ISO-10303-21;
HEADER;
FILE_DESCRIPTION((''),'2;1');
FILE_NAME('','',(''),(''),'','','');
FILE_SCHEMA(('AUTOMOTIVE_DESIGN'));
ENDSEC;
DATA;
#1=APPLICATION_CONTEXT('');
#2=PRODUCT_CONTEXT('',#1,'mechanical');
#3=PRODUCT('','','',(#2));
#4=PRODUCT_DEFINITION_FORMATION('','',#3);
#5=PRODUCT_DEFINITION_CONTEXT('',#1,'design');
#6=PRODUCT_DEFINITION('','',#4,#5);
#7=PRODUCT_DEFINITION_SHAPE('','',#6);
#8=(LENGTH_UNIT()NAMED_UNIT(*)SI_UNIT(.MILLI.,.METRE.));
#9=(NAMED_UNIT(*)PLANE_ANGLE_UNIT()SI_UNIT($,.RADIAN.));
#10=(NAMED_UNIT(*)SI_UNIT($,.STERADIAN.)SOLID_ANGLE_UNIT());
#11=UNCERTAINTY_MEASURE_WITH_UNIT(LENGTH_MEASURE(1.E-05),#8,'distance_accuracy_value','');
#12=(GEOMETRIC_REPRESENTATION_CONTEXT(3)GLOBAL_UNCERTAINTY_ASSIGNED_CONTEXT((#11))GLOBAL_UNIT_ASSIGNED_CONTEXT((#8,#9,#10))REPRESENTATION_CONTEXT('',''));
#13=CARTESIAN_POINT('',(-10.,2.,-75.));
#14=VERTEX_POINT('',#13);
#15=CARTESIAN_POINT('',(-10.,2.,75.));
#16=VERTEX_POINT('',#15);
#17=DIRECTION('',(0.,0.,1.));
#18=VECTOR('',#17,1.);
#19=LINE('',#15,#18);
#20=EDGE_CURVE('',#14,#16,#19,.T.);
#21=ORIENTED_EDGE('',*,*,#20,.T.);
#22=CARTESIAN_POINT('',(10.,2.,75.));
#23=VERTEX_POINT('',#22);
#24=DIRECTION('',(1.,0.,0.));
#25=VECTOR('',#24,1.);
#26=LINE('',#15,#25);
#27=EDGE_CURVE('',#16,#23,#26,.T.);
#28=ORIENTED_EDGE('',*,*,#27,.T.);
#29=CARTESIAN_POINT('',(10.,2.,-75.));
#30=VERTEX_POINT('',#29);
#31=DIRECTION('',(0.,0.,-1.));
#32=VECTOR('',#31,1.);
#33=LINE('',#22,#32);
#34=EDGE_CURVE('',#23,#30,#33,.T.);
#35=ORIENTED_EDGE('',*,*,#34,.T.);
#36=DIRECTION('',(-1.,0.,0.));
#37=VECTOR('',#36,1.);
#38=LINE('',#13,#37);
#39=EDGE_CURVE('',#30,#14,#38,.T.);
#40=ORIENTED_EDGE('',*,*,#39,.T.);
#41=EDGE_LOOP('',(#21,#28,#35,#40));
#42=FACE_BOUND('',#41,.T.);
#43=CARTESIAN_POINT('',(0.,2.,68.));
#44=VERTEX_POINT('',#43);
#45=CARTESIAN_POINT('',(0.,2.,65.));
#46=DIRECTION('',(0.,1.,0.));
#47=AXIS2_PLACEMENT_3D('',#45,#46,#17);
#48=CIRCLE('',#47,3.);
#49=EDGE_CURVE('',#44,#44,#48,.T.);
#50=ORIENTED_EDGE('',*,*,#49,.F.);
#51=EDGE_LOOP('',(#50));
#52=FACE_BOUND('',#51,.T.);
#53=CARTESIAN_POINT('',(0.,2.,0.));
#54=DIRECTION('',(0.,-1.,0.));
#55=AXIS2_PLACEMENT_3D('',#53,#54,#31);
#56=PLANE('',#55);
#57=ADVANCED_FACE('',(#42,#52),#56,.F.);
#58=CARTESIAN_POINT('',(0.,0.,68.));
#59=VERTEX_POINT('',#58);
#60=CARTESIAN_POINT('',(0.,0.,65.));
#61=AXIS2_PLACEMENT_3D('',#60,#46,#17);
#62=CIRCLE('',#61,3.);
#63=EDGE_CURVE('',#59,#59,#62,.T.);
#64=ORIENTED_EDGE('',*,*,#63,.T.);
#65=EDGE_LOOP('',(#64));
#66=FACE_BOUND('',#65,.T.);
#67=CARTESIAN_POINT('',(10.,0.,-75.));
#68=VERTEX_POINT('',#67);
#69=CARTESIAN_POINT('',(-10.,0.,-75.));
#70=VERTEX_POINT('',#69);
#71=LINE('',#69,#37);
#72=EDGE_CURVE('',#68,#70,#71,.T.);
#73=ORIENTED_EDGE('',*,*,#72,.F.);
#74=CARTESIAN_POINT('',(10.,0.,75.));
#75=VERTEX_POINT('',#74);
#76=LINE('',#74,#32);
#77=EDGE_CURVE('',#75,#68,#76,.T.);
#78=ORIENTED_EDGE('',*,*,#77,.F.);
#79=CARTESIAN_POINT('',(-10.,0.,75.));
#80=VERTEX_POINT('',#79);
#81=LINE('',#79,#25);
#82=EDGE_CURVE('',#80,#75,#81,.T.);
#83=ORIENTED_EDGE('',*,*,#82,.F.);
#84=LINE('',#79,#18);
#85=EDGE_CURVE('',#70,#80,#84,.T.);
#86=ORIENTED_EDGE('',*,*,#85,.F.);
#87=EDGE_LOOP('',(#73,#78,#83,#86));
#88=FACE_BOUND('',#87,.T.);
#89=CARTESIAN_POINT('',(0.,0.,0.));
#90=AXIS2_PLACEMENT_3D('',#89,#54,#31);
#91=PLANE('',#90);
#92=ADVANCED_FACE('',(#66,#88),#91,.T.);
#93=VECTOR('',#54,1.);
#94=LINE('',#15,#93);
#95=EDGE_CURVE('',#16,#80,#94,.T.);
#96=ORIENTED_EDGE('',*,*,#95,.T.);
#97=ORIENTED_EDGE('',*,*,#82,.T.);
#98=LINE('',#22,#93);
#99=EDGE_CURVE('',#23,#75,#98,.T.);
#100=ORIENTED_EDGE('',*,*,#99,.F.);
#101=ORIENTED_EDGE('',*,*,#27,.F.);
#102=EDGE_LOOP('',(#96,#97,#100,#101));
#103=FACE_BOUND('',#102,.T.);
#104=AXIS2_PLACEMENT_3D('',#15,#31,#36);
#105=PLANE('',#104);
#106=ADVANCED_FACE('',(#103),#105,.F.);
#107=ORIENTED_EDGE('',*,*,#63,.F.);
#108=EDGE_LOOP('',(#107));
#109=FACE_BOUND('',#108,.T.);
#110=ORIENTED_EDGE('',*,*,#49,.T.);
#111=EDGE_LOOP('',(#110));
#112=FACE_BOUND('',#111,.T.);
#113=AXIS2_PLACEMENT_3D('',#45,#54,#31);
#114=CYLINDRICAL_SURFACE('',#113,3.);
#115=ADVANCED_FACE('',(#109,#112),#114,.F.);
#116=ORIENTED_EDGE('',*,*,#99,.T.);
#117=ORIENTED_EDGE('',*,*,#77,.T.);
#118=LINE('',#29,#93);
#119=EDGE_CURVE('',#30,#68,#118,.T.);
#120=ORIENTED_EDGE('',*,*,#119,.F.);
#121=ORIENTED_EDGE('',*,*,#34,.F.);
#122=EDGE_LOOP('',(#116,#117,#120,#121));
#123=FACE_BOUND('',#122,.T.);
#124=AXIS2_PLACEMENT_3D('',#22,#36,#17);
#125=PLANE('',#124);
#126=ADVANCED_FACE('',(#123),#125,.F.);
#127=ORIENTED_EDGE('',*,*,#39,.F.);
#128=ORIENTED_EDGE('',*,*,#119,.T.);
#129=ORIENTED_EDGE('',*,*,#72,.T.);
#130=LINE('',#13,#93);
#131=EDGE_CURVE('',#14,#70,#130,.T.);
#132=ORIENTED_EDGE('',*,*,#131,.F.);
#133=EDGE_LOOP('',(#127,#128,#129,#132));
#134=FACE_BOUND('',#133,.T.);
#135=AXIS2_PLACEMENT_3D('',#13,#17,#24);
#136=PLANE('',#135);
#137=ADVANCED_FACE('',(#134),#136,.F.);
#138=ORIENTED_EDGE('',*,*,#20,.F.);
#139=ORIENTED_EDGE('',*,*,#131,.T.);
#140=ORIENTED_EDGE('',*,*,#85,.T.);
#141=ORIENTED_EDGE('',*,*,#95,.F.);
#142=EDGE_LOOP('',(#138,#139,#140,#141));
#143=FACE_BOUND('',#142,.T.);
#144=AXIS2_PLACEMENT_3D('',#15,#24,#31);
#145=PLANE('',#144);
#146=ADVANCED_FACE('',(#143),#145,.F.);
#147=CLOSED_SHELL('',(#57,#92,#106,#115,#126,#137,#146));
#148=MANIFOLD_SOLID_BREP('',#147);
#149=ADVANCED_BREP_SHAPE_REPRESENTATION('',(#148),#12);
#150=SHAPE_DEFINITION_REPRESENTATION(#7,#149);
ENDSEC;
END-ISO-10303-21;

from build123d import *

# Parameters (mm, degrees)
SKETCH1_W           = 20
SKETCH1_H           = 150
SKETCH1_R           = 3
BOSS_EXTRUDE1_DEPTH = 2


with BuildPart() as part:
    # Sketch1 → Boss-Extrude1 (new body)
    with BuildSketch(Plane(origin=(0, 0, 0), x_dir=(1, 0, 0), z_dir=(0, 1, 0))):
        Rectangle(SKETCH1_W, SKETCH1_H)
        with Locations(Location((0, -65, 0), (0, 0, 270))):
            Circle(SKETCH1_R, mode=Mode.SUBTRACT)
    extrude(amount=BOSS_EXTRUDE1_DEPTH)


solid = part.part
